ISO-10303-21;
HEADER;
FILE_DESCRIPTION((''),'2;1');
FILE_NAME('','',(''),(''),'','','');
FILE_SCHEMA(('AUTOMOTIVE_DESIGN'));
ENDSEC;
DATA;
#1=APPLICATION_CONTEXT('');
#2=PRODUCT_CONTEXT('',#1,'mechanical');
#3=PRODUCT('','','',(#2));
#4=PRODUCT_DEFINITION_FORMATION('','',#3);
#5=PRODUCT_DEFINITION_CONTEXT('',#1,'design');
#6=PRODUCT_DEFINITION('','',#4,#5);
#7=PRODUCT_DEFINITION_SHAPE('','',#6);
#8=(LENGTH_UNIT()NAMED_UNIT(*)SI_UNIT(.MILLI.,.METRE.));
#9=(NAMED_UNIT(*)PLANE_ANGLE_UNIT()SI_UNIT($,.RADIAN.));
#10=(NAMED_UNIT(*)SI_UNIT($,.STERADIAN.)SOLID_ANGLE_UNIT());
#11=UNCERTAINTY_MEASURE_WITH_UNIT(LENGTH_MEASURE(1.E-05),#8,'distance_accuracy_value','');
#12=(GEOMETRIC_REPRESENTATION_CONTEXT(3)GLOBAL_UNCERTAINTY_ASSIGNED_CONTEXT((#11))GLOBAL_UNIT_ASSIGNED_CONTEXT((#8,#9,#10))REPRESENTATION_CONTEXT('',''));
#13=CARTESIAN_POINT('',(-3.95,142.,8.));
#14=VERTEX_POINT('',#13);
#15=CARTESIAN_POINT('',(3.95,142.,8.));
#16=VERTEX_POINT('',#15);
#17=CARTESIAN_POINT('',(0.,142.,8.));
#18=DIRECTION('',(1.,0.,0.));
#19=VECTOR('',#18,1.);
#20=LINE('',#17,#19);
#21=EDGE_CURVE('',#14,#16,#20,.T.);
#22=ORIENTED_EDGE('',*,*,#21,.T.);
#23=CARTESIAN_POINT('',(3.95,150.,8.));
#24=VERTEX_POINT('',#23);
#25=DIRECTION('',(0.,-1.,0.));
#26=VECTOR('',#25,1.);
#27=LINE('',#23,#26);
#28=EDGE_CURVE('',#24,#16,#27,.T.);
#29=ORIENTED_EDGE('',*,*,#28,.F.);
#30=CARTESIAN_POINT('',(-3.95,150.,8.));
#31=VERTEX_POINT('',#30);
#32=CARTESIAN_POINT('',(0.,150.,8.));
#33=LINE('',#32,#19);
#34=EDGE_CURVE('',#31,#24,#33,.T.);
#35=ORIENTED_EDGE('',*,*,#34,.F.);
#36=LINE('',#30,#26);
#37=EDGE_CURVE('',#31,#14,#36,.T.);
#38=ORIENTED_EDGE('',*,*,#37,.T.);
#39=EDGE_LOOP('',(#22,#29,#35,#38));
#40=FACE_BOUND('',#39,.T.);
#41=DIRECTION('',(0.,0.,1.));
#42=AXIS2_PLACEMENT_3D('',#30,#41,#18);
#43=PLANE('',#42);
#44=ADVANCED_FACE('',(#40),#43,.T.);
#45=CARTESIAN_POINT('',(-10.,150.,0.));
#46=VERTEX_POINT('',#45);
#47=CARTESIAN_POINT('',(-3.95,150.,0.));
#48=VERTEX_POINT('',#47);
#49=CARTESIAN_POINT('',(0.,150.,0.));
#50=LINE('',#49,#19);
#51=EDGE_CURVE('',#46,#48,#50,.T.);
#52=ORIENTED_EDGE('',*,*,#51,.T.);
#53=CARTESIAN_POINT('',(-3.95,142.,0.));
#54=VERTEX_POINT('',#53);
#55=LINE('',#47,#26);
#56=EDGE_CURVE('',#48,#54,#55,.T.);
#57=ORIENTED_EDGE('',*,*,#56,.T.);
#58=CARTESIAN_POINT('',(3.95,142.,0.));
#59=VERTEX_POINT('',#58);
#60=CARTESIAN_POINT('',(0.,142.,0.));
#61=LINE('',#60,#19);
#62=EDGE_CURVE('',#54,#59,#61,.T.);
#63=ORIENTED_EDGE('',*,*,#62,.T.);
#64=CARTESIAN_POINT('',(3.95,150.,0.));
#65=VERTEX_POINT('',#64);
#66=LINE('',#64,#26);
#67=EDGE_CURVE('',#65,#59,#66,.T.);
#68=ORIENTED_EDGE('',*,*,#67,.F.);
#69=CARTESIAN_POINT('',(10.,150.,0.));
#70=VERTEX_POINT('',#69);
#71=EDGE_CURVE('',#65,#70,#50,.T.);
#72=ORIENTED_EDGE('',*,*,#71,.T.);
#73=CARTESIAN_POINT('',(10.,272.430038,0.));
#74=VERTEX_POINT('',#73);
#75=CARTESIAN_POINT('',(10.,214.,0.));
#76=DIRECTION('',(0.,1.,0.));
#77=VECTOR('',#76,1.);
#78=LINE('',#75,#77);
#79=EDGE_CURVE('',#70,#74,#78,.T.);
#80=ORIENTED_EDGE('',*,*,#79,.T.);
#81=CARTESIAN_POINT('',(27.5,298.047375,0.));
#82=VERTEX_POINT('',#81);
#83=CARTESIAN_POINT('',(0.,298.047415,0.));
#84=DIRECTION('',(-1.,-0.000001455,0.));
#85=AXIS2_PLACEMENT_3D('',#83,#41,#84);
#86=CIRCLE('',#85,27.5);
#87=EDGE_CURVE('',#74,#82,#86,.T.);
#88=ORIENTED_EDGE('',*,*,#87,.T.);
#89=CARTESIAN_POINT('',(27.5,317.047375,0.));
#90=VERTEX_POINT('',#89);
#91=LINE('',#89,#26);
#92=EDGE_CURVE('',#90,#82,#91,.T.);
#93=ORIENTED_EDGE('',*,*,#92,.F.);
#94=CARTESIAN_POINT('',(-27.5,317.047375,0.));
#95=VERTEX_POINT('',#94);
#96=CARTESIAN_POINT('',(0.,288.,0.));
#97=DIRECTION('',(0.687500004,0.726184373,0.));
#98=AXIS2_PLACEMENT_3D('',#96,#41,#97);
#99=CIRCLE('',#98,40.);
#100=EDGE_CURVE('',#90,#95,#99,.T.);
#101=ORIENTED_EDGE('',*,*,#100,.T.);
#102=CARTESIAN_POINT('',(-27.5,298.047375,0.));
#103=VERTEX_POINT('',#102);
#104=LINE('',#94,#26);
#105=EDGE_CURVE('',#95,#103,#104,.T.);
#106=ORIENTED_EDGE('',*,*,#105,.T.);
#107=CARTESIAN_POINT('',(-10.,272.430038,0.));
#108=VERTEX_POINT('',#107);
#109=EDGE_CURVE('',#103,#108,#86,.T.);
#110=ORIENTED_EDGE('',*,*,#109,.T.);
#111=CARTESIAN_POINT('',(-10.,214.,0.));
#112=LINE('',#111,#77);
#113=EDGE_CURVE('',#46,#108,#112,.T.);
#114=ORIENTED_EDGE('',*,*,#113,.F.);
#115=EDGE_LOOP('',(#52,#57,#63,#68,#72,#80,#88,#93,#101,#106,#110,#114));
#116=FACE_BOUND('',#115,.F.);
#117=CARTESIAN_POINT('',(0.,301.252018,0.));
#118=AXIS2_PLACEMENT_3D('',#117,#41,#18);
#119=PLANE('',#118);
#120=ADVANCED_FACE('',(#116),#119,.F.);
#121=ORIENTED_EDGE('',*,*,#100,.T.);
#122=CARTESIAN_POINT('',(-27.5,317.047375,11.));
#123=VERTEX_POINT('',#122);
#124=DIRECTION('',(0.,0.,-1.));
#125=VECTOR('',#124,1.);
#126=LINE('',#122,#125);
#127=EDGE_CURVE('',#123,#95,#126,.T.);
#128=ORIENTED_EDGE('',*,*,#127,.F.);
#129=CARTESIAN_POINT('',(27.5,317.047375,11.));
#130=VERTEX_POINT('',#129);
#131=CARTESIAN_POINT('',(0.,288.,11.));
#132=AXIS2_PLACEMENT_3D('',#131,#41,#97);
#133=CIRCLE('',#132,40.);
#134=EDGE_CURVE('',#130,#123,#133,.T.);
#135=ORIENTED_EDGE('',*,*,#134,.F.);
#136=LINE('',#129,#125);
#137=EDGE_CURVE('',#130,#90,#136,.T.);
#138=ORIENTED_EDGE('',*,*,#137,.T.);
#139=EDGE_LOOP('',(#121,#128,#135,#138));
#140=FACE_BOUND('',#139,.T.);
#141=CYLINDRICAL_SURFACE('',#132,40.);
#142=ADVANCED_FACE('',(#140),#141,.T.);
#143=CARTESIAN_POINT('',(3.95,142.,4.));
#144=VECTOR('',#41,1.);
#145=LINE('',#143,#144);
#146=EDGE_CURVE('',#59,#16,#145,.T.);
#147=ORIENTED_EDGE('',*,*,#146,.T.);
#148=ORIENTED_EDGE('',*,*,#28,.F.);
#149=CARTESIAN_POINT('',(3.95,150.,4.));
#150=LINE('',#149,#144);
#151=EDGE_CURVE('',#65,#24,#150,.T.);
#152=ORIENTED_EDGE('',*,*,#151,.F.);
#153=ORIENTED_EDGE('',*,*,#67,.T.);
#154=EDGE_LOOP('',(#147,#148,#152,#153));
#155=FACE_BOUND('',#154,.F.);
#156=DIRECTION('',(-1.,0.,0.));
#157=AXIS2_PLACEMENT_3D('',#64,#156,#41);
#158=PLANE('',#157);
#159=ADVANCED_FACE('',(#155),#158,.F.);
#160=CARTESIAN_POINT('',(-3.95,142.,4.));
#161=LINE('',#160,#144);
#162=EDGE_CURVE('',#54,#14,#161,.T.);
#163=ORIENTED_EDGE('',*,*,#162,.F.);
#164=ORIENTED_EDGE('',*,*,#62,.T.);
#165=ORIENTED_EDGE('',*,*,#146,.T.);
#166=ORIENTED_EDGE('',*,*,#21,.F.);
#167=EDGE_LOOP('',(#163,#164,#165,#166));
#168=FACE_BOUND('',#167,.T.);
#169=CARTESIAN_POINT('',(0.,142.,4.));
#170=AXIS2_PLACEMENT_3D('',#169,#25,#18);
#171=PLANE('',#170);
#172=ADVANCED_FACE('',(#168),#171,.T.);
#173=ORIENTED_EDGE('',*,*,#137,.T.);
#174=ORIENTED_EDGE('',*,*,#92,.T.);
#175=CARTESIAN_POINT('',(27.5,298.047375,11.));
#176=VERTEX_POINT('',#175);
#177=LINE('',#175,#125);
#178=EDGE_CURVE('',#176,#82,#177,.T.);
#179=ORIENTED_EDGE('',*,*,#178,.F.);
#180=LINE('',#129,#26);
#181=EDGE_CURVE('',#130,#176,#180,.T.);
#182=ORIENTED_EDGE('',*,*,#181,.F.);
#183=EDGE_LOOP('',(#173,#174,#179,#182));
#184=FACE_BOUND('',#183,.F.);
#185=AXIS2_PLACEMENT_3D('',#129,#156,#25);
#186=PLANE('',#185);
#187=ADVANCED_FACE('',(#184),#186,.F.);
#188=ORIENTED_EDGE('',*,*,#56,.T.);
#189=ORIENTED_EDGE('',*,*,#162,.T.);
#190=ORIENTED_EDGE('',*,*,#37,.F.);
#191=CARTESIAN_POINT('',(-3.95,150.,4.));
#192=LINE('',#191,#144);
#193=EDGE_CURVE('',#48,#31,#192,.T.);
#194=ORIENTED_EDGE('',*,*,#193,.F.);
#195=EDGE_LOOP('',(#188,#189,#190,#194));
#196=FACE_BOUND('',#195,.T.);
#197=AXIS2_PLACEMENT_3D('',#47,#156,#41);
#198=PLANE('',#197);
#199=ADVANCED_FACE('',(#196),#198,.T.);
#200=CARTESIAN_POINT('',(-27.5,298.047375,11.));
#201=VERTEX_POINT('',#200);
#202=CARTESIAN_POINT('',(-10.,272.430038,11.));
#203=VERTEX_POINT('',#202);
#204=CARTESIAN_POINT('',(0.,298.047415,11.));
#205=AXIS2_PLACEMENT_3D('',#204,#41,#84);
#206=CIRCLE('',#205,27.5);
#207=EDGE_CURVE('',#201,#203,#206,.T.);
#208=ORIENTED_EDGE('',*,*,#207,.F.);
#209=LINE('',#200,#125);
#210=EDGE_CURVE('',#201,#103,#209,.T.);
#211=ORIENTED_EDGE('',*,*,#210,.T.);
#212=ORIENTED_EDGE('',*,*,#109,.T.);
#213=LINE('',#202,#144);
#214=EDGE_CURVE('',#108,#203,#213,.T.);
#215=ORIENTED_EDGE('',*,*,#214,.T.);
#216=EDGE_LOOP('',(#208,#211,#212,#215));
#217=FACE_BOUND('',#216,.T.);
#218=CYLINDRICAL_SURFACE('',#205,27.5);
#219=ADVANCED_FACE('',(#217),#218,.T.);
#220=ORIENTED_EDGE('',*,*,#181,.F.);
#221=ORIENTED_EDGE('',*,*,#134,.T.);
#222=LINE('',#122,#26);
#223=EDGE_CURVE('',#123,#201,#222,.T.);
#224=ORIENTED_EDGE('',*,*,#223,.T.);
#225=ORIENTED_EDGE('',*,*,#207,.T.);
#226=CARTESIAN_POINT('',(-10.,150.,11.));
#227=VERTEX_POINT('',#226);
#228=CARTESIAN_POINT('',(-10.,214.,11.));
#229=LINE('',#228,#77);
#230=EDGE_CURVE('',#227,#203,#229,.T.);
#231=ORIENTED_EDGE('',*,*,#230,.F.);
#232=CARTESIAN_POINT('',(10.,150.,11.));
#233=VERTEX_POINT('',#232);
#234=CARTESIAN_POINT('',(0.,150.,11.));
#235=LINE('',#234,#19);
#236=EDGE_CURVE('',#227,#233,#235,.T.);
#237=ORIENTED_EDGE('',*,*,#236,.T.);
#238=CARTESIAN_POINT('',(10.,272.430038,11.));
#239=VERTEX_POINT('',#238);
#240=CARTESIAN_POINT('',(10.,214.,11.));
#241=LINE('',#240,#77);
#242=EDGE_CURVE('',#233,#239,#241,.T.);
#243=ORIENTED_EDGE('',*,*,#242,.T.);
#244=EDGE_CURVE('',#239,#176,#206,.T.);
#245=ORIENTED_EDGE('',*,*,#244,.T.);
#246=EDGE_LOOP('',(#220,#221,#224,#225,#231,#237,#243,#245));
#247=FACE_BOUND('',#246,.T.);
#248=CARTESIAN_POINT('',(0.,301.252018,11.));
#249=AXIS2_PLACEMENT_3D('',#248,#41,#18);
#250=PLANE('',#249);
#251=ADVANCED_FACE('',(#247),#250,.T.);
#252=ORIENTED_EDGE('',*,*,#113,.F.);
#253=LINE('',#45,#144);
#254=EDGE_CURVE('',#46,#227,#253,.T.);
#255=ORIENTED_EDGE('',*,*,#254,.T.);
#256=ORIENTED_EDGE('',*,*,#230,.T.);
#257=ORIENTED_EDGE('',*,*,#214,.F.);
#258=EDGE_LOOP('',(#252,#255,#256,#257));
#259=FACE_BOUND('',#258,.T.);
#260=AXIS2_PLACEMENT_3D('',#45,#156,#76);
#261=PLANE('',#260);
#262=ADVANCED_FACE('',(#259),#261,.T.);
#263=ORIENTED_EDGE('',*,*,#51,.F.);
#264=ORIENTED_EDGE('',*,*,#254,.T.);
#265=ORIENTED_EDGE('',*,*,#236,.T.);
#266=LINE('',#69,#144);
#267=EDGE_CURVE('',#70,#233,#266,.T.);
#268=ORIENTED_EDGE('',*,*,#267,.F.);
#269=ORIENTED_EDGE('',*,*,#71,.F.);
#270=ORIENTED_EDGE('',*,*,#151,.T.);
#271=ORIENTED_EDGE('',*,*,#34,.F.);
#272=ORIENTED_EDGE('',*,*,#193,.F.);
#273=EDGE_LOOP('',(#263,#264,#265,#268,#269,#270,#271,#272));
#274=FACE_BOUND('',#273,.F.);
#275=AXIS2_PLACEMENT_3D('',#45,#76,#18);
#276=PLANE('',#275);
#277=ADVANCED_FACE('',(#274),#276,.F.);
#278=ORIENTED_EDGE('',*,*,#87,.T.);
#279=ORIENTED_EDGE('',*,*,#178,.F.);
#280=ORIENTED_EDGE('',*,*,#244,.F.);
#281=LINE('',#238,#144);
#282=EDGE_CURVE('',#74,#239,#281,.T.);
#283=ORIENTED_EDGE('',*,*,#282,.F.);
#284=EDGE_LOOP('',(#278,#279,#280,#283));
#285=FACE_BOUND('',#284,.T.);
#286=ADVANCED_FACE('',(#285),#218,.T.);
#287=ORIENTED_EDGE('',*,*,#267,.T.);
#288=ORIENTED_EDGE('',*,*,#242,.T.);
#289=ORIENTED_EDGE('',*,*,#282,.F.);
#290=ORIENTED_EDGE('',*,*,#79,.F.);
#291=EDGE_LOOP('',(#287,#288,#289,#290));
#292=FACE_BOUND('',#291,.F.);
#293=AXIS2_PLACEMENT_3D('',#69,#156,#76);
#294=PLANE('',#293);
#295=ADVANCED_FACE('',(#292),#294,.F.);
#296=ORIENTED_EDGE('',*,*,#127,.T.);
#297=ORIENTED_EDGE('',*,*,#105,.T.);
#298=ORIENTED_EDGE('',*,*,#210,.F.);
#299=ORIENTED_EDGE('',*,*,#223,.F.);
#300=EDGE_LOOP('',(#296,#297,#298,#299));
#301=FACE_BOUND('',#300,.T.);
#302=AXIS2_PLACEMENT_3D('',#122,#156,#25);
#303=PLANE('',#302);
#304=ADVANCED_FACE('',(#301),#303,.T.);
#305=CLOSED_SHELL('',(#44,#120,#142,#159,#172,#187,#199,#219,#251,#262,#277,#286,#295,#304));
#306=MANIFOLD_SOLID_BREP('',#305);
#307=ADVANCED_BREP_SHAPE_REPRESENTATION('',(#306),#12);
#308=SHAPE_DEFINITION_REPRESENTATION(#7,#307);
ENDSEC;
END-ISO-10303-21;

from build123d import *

# Parameters (mm, degrees)
SKETCH_W     = 20
SKETCH_H     = 128
PAD_DEPTH    = 11
PAD001_DEPTH = 11
SKETCH002_W  = 7.9
SKETCH002_H  = 8
PAD002_DEPTH = 8


with BuildPart() as part:
    # Sketch → Pad (new body)
    with BuildSketch(Plane.XY):
        with Locations((0, 214)):
            Rectangle(SKETCH_W, SKETCH_H)
    extrude(amount=PAD_DEPTH)

    # Sketch001 (on Face6 of Pad) → Pad001 (join)
    with BuildSketch(Plane.XY.offset(11)):
        with BuildLine():
            ThreePointArc((27.5, 317.047375), (0, 328), (-27.5, 317.047375))
            Line((-27.5, 317.047375), (-27.5, 298.047375))
            ThreePointArc((-27.5, 298.047375), (0, 270.547415), (27.5, 298.047375))
            Line((27.5, 317.047375), (27.5, 298.047375))
        make_face()
    extrude(amount=-PAD001_DEPTH)

    # Sketch002 (on Face5 of Pad001) → Pad002 (join)
    with BuildSketch(Plane.XZ.offset(-150)):
        with Locations((0, 4)):
            Rectangle(SKETCH002_W, SKETCH002_H)
    extrude(amount=PAD002_DEPTH)


solid = part.part
